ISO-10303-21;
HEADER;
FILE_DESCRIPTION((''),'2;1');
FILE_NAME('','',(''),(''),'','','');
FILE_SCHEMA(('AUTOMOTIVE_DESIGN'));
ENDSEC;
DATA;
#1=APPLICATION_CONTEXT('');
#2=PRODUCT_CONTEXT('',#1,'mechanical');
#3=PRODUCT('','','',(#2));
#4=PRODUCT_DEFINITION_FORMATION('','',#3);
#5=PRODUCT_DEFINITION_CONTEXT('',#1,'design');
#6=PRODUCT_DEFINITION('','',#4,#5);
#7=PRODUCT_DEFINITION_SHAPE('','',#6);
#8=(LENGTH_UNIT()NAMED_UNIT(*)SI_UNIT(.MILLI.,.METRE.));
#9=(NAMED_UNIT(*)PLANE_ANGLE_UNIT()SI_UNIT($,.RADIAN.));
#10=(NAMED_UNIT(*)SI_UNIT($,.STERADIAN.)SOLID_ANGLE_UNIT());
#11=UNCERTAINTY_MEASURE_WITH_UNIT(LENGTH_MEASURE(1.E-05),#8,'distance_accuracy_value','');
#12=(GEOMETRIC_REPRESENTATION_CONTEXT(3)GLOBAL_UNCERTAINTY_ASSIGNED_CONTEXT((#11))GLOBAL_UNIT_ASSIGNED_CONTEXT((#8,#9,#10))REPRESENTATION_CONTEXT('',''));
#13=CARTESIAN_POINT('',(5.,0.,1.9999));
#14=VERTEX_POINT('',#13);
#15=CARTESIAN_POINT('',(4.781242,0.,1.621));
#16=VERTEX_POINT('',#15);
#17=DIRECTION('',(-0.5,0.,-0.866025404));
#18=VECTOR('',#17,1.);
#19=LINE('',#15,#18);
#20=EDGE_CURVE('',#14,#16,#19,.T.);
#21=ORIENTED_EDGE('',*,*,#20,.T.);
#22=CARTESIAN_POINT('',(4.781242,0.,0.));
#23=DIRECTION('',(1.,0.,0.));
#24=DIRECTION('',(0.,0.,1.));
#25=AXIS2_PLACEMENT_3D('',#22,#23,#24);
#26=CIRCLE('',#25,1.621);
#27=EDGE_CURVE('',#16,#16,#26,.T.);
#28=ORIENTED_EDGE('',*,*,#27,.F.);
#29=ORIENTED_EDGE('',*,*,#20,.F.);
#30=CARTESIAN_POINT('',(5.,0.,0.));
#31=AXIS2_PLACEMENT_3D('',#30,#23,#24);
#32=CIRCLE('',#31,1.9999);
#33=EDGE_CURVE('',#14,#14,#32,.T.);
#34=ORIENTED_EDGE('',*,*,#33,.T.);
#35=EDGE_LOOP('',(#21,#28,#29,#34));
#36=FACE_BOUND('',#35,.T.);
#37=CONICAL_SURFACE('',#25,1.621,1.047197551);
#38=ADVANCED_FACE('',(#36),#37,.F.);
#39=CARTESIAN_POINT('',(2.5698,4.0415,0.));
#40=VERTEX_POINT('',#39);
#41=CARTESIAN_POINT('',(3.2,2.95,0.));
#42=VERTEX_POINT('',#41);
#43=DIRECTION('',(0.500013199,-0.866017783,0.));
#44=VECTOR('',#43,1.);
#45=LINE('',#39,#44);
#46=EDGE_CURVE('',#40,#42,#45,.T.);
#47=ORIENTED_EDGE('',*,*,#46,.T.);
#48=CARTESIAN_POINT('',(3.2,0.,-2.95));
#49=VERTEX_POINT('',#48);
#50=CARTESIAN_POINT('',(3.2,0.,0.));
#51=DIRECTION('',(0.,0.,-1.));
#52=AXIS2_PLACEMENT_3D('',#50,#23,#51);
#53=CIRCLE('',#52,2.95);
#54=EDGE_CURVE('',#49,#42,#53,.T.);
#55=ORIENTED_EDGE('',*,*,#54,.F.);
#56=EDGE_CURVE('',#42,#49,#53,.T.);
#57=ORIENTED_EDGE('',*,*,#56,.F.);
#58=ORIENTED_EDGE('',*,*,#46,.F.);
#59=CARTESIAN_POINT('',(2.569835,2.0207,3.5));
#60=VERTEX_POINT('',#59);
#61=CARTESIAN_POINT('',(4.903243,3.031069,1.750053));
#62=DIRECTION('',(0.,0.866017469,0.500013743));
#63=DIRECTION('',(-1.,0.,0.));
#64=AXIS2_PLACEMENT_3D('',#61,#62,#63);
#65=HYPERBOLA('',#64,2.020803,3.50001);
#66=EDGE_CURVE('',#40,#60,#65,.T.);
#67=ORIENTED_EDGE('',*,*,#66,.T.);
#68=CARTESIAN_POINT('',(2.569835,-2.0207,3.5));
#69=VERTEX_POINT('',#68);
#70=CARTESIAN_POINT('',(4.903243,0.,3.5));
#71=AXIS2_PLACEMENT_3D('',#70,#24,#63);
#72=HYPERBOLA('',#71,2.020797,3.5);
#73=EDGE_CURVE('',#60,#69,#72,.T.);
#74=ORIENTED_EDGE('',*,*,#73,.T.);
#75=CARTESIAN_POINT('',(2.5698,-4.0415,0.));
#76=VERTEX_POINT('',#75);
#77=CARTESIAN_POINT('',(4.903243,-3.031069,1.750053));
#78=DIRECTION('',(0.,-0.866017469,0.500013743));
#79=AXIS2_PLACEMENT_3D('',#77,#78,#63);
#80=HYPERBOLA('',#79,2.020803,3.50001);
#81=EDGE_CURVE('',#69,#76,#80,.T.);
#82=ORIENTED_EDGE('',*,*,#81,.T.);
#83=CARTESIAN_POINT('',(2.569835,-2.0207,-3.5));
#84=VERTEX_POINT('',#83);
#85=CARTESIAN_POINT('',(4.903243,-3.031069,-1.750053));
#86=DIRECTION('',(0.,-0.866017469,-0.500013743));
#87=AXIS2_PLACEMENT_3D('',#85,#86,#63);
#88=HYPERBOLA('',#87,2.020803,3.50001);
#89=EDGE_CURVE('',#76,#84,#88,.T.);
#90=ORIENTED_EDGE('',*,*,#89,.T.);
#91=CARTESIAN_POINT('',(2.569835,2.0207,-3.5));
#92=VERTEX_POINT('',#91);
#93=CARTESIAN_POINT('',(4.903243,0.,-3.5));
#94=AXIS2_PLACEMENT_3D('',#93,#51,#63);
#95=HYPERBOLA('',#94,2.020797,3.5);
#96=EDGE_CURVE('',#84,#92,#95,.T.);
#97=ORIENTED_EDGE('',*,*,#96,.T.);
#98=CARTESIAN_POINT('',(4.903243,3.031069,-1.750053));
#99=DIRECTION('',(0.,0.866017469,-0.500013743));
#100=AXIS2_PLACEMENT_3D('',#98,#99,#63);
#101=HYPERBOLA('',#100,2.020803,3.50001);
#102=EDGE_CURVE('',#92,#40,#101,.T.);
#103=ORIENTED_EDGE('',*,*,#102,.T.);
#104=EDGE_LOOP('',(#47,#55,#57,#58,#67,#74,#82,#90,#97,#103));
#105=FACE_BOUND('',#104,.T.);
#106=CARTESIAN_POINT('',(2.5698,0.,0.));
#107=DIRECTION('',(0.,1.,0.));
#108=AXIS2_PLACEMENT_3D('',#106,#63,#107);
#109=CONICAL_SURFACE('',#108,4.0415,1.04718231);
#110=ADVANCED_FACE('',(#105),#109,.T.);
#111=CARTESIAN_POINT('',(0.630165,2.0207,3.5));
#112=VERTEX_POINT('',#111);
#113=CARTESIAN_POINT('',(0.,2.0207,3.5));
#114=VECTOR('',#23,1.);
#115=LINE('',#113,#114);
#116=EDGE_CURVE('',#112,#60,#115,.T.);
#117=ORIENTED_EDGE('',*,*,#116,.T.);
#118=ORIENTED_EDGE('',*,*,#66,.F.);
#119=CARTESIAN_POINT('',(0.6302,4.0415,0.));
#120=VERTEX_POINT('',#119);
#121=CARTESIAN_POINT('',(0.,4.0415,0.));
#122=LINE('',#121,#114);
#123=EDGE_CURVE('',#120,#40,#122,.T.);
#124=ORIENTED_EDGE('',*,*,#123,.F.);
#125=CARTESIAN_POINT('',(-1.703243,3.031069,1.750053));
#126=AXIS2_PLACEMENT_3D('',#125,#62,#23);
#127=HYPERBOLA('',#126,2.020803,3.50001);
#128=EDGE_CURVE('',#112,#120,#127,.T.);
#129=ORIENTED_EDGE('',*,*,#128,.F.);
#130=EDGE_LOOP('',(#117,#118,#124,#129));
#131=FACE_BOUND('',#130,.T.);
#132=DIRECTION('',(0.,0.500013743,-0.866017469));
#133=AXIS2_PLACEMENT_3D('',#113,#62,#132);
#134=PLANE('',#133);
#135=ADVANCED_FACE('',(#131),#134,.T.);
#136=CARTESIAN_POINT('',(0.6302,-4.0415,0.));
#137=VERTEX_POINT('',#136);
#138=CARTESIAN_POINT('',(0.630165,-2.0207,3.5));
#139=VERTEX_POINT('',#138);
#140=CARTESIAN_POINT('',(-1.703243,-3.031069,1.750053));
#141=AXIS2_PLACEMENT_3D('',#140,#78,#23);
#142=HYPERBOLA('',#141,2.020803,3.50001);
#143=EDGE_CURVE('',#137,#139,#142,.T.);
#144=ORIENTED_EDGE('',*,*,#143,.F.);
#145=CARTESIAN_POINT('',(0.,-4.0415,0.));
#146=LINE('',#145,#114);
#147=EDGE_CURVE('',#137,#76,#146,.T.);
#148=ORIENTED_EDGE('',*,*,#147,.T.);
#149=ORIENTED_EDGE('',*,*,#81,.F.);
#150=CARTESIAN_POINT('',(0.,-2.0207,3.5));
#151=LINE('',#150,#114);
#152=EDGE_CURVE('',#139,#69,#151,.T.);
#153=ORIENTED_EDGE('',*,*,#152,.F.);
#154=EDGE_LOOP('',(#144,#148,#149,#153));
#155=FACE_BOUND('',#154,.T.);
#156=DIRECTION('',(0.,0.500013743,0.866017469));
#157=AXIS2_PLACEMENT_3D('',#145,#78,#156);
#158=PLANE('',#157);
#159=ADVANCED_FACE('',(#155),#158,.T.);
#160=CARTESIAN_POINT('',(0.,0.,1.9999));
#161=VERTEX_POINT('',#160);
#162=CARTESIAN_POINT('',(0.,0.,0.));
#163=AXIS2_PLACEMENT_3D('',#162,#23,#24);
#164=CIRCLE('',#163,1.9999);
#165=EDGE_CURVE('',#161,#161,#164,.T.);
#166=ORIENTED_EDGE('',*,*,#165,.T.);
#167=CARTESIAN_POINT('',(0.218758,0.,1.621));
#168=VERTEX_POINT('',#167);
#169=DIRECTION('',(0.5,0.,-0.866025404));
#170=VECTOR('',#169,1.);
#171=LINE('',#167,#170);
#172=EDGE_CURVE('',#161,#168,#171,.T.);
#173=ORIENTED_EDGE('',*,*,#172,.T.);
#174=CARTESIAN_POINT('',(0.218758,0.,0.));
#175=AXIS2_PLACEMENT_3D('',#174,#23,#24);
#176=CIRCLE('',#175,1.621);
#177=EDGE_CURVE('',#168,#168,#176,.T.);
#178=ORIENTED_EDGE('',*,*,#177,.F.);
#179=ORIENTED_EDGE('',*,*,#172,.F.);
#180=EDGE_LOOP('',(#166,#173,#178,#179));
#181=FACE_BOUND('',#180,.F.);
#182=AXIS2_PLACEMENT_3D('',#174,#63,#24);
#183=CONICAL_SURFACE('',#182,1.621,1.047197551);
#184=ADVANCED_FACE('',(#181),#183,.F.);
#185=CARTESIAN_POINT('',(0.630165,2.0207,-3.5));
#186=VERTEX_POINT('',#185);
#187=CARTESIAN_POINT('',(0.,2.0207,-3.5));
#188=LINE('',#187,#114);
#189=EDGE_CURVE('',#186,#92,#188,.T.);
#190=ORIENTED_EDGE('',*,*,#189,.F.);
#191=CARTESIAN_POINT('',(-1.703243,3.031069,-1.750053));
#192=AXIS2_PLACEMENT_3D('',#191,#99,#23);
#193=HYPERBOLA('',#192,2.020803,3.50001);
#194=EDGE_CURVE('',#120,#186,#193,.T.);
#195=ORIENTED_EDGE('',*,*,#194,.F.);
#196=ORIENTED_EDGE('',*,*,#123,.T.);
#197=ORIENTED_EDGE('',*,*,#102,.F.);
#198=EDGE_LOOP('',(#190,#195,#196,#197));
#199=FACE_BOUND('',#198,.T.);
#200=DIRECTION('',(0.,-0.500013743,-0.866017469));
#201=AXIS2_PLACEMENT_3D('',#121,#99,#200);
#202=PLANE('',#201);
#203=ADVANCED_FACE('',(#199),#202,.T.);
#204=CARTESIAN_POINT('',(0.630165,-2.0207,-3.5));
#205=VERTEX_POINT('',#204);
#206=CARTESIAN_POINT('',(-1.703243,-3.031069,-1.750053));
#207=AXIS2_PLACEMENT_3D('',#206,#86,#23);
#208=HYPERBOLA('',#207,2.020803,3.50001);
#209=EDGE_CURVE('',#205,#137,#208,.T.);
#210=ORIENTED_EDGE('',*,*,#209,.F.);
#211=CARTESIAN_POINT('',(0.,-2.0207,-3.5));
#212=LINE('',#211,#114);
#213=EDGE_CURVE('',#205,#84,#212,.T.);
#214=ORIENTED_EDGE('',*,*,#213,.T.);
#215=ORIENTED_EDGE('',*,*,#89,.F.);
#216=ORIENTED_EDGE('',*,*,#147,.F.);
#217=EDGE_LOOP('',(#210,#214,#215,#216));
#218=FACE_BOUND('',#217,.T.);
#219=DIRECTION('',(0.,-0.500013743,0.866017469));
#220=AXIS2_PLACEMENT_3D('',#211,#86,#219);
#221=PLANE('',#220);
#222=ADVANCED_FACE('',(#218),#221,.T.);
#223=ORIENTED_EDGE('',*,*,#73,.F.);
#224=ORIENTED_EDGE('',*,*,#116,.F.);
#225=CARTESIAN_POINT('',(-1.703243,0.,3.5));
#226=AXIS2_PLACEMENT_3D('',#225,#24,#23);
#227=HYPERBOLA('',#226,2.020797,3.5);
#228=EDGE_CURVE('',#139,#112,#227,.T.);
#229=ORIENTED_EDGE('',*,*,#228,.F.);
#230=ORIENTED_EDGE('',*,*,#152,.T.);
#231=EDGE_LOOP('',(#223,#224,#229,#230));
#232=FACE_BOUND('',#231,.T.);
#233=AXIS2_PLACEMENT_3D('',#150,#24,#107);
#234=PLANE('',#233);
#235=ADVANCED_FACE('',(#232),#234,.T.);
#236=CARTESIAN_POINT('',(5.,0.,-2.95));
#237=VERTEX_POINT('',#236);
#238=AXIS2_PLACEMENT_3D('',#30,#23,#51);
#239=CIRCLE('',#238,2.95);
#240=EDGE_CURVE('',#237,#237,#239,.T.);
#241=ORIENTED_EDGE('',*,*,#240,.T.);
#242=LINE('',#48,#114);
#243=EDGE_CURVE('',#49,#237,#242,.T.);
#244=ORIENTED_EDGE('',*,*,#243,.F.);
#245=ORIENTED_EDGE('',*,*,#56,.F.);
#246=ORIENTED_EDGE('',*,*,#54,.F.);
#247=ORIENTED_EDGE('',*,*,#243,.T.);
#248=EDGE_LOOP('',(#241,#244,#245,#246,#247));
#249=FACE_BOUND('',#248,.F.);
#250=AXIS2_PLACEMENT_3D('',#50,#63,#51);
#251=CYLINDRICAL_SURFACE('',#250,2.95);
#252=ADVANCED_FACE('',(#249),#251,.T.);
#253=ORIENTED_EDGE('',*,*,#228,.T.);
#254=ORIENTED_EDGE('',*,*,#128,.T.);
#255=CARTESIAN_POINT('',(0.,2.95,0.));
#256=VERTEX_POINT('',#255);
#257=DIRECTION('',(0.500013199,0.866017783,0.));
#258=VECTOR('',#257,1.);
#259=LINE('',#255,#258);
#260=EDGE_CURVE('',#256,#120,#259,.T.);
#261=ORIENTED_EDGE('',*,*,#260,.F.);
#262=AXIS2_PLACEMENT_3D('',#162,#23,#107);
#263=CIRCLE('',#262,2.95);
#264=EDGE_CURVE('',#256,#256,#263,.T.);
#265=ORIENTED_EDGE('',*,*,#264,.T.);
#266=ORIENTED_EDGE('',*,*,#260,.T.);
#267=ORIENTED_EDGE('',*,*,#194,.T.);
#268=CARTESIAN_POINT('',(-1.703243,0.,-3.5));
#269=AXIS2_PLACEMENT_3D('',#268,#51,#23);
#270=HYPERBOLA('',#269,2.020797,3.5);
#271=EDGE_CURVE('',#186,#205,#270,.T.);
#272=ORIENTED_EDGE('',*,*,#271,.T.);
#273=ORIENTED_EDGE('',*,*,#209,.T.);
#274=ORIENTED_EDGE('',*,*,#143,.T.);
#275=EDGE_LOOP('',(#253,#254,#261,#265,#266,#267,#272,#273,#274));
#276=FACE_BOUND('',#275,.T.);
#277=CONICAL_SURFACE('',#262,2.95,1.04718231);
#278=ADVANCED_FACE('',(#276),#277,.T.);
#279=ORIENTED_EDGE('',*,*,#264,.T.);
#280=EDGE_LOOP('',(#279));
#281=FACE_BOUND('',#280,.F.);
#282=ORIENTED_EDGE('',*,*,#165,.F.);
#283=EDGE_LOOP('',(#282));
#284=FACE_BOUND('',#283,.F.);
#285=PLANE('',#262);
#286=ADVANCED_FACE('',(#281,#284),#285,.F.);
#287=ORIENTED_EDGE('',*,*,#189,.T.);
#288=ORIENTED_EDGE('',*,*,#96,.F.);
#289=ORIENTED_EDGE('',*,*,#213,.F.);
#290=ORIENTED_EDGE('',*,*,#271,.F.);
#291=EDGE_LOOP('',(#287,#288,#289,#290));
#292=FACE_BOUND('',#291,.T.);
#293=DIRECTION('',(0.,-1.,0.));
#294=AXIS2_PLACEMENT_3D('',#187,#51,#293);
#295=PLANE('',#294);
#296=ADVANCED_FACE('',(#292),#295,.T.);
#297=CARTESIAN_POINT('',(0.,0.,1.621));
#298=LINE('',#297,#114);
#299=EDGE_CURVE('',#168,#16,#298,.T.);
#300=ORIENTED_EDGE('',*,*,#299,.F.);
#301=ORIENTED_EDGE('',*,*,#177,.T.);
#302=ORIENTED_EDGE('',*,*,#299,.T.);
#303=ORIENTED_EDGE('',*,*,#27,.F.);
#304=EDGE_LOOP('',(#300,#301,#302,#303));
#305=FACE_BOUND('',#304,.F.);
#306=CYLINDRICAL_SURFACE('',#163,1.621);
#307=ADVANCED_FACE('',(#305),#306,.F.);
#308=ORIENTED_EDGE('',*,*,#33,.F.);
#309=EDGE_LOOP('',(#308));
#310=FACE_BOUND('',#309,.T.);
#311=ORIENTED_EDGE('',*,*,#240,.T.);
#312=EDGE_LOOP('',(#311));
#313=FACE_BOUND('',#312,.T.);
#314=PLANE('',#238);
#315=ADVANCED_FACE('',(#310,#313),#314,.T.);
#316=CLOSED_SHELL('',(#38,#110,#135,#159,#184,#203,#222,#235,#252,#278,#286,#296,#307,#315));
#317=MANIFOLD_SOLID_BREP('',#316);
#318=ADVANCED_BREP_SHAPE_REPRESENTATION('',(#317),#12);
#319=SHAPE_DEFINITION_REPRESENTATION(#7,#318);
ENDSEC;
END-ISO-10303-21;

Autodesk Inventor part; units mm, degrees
ref_plane "YZ Plane" through (0, 0, 0) normal (1, 0, 0) x (0, 1, 0)
ref_plane "XZ Plane" through (0, 0, 0) normal (0, 1, 0) x (-1, 0, 0)
sketch "Sketch1" plane through (0, 0, 0) normal (1, 0, 0) x (0, 1, 0)
  line L0 (2.0207, -3.5) -> (-2.0207, -3.5)
  line L1 (-2.0207, -3.5) -> (-4.0415, 0)
  line L2 (-4.0415, 0) -> (-2.0207, 3.5)
  line L3 (-2.0207, 3.5) -> (2.0207, 3.5)
  line L4 (2.0207, 3.5) -> (4.0415, 0)
  line L5 (4.0415, 0) -> (2.0207, -3.5)
  point P0 (0, 0)
  point P1 (0, 0)
  dimension "d0" = 8.0829
extrude "Body" add sketch "Sketch1" along normal blind 3.2
sketch "Sketch2" plane through (3.2, 0, 0) normal (1, 0, 0) x (0, 0, -1)
  circle A0 centre (0, 0) radius 2.95
  dimension "d7" = 5.9
extrude "Ring" add sketch "Sketch2" along normal blind 1.8
sketch "Sketch3" plane through (0, 0, 0) normal (0, 0, 1) x (1, 0, 0)
  line L0 (0, 2.0207) -> (0, 4.0415) projected
  line L1 (0, 4.0415) -> (3.2, 4.0415) projected
  line L2 (3.2, 2.0207) -> (3.2, 4.0415) projected
  line L3 (-0.64, 0) -> (3.84, 0) projected
  line L4 (0, 2.95) -> (0.6302, 4.0415)
  line L5 (2.5698, 4.0415) -> (3.2, 2.95)
  dimension "d3" = 30
  dimension "d4" = 30
  dimension "d5" = 5.9
  dimension "d6" = 5.9
revolve "Chamfer1" cut sketch "Sketch3" angle 360 about axis through (-10, 0, 0) along (1, 0, 0)
sketch "Sketch4" plane through (0, 0, 0) normal (-1, 0, 0) x (0, 0, 1)
  line L0 (0, -5.658) -> (0, 5.658) projected
  line L1 (-4.9, 0) -> (4.9, 0) projected
  point P0 (0, 0)
hole "Thread" at (0, 0, 0) direction (1, 0, 0) diameter 3.242 end through all thread size "M4x0.7" class "6H" standard "ISO Metric profile"
chamfer "Chamfer2" distance 0.3789 angle 30 1 edges at (0, 0, -1.621) measured on face at (0, 2.4745, -0.3005)
chamfer "Chamfer3" distance 0.3789 angle 30 1 edges at (5, 0, -1.621) measured on face at (5, -0.3646, -2.4627)
ref_plane "Work Plane1" through (11.804, 0, 0) normal (0, 0, 1) x (-1, 0, 0)
equation "\"d0\" = 1.1547 * SW"
equation "\"d1\" = KOH1"
equation "\"d7\" = SD2"
equation "\"d8\" = KOH - KOH1"
equation "\"d3\" = ANG1"
equation "\"d4\" = ANG2"
equation "\"d5\" = SW0"
equation "\"d6\" = SW01"
equation "\"d10\" = -0.5 * GD1 + 0.5 * NND"
equation "\"d46\" = -0.5 * GD1 + 0.5 * NND"
equation "\"d12\" = -0.5 * GD1 + 0.5 * NND"
equation "\"d47\" = -0.5 * GD1 + 0.5 * NND"
equation "\"ANG1\" = 30deg"
equation "\"ANG2\" = 30deg"
equation "\"NND\" = 4"
equation "\"KOH1\" = 3.2"
equation "\"KOH\" = 5"
equation "\"SW\" = 7"
equation "\"SW0\" = 5.9"
equation "\"SW01\" = SW0"
equation "\"SD2\" = SW0"
equation "\"GUL\" = 0.541266 * PTC"
equation "\"THREADDIA\" = 4"
equation "\"TOA\" = 30deg"
equation "\"PTC\" = 0.7"
equation "\"E0\" = 1.155 * SW"
equation "\"GAL\" = 0.541266 * PTC"
equation "\"GD1\" = 3.242228"
properties part number "M4 - Nyloc Nut" material "Steel, Alloy"
